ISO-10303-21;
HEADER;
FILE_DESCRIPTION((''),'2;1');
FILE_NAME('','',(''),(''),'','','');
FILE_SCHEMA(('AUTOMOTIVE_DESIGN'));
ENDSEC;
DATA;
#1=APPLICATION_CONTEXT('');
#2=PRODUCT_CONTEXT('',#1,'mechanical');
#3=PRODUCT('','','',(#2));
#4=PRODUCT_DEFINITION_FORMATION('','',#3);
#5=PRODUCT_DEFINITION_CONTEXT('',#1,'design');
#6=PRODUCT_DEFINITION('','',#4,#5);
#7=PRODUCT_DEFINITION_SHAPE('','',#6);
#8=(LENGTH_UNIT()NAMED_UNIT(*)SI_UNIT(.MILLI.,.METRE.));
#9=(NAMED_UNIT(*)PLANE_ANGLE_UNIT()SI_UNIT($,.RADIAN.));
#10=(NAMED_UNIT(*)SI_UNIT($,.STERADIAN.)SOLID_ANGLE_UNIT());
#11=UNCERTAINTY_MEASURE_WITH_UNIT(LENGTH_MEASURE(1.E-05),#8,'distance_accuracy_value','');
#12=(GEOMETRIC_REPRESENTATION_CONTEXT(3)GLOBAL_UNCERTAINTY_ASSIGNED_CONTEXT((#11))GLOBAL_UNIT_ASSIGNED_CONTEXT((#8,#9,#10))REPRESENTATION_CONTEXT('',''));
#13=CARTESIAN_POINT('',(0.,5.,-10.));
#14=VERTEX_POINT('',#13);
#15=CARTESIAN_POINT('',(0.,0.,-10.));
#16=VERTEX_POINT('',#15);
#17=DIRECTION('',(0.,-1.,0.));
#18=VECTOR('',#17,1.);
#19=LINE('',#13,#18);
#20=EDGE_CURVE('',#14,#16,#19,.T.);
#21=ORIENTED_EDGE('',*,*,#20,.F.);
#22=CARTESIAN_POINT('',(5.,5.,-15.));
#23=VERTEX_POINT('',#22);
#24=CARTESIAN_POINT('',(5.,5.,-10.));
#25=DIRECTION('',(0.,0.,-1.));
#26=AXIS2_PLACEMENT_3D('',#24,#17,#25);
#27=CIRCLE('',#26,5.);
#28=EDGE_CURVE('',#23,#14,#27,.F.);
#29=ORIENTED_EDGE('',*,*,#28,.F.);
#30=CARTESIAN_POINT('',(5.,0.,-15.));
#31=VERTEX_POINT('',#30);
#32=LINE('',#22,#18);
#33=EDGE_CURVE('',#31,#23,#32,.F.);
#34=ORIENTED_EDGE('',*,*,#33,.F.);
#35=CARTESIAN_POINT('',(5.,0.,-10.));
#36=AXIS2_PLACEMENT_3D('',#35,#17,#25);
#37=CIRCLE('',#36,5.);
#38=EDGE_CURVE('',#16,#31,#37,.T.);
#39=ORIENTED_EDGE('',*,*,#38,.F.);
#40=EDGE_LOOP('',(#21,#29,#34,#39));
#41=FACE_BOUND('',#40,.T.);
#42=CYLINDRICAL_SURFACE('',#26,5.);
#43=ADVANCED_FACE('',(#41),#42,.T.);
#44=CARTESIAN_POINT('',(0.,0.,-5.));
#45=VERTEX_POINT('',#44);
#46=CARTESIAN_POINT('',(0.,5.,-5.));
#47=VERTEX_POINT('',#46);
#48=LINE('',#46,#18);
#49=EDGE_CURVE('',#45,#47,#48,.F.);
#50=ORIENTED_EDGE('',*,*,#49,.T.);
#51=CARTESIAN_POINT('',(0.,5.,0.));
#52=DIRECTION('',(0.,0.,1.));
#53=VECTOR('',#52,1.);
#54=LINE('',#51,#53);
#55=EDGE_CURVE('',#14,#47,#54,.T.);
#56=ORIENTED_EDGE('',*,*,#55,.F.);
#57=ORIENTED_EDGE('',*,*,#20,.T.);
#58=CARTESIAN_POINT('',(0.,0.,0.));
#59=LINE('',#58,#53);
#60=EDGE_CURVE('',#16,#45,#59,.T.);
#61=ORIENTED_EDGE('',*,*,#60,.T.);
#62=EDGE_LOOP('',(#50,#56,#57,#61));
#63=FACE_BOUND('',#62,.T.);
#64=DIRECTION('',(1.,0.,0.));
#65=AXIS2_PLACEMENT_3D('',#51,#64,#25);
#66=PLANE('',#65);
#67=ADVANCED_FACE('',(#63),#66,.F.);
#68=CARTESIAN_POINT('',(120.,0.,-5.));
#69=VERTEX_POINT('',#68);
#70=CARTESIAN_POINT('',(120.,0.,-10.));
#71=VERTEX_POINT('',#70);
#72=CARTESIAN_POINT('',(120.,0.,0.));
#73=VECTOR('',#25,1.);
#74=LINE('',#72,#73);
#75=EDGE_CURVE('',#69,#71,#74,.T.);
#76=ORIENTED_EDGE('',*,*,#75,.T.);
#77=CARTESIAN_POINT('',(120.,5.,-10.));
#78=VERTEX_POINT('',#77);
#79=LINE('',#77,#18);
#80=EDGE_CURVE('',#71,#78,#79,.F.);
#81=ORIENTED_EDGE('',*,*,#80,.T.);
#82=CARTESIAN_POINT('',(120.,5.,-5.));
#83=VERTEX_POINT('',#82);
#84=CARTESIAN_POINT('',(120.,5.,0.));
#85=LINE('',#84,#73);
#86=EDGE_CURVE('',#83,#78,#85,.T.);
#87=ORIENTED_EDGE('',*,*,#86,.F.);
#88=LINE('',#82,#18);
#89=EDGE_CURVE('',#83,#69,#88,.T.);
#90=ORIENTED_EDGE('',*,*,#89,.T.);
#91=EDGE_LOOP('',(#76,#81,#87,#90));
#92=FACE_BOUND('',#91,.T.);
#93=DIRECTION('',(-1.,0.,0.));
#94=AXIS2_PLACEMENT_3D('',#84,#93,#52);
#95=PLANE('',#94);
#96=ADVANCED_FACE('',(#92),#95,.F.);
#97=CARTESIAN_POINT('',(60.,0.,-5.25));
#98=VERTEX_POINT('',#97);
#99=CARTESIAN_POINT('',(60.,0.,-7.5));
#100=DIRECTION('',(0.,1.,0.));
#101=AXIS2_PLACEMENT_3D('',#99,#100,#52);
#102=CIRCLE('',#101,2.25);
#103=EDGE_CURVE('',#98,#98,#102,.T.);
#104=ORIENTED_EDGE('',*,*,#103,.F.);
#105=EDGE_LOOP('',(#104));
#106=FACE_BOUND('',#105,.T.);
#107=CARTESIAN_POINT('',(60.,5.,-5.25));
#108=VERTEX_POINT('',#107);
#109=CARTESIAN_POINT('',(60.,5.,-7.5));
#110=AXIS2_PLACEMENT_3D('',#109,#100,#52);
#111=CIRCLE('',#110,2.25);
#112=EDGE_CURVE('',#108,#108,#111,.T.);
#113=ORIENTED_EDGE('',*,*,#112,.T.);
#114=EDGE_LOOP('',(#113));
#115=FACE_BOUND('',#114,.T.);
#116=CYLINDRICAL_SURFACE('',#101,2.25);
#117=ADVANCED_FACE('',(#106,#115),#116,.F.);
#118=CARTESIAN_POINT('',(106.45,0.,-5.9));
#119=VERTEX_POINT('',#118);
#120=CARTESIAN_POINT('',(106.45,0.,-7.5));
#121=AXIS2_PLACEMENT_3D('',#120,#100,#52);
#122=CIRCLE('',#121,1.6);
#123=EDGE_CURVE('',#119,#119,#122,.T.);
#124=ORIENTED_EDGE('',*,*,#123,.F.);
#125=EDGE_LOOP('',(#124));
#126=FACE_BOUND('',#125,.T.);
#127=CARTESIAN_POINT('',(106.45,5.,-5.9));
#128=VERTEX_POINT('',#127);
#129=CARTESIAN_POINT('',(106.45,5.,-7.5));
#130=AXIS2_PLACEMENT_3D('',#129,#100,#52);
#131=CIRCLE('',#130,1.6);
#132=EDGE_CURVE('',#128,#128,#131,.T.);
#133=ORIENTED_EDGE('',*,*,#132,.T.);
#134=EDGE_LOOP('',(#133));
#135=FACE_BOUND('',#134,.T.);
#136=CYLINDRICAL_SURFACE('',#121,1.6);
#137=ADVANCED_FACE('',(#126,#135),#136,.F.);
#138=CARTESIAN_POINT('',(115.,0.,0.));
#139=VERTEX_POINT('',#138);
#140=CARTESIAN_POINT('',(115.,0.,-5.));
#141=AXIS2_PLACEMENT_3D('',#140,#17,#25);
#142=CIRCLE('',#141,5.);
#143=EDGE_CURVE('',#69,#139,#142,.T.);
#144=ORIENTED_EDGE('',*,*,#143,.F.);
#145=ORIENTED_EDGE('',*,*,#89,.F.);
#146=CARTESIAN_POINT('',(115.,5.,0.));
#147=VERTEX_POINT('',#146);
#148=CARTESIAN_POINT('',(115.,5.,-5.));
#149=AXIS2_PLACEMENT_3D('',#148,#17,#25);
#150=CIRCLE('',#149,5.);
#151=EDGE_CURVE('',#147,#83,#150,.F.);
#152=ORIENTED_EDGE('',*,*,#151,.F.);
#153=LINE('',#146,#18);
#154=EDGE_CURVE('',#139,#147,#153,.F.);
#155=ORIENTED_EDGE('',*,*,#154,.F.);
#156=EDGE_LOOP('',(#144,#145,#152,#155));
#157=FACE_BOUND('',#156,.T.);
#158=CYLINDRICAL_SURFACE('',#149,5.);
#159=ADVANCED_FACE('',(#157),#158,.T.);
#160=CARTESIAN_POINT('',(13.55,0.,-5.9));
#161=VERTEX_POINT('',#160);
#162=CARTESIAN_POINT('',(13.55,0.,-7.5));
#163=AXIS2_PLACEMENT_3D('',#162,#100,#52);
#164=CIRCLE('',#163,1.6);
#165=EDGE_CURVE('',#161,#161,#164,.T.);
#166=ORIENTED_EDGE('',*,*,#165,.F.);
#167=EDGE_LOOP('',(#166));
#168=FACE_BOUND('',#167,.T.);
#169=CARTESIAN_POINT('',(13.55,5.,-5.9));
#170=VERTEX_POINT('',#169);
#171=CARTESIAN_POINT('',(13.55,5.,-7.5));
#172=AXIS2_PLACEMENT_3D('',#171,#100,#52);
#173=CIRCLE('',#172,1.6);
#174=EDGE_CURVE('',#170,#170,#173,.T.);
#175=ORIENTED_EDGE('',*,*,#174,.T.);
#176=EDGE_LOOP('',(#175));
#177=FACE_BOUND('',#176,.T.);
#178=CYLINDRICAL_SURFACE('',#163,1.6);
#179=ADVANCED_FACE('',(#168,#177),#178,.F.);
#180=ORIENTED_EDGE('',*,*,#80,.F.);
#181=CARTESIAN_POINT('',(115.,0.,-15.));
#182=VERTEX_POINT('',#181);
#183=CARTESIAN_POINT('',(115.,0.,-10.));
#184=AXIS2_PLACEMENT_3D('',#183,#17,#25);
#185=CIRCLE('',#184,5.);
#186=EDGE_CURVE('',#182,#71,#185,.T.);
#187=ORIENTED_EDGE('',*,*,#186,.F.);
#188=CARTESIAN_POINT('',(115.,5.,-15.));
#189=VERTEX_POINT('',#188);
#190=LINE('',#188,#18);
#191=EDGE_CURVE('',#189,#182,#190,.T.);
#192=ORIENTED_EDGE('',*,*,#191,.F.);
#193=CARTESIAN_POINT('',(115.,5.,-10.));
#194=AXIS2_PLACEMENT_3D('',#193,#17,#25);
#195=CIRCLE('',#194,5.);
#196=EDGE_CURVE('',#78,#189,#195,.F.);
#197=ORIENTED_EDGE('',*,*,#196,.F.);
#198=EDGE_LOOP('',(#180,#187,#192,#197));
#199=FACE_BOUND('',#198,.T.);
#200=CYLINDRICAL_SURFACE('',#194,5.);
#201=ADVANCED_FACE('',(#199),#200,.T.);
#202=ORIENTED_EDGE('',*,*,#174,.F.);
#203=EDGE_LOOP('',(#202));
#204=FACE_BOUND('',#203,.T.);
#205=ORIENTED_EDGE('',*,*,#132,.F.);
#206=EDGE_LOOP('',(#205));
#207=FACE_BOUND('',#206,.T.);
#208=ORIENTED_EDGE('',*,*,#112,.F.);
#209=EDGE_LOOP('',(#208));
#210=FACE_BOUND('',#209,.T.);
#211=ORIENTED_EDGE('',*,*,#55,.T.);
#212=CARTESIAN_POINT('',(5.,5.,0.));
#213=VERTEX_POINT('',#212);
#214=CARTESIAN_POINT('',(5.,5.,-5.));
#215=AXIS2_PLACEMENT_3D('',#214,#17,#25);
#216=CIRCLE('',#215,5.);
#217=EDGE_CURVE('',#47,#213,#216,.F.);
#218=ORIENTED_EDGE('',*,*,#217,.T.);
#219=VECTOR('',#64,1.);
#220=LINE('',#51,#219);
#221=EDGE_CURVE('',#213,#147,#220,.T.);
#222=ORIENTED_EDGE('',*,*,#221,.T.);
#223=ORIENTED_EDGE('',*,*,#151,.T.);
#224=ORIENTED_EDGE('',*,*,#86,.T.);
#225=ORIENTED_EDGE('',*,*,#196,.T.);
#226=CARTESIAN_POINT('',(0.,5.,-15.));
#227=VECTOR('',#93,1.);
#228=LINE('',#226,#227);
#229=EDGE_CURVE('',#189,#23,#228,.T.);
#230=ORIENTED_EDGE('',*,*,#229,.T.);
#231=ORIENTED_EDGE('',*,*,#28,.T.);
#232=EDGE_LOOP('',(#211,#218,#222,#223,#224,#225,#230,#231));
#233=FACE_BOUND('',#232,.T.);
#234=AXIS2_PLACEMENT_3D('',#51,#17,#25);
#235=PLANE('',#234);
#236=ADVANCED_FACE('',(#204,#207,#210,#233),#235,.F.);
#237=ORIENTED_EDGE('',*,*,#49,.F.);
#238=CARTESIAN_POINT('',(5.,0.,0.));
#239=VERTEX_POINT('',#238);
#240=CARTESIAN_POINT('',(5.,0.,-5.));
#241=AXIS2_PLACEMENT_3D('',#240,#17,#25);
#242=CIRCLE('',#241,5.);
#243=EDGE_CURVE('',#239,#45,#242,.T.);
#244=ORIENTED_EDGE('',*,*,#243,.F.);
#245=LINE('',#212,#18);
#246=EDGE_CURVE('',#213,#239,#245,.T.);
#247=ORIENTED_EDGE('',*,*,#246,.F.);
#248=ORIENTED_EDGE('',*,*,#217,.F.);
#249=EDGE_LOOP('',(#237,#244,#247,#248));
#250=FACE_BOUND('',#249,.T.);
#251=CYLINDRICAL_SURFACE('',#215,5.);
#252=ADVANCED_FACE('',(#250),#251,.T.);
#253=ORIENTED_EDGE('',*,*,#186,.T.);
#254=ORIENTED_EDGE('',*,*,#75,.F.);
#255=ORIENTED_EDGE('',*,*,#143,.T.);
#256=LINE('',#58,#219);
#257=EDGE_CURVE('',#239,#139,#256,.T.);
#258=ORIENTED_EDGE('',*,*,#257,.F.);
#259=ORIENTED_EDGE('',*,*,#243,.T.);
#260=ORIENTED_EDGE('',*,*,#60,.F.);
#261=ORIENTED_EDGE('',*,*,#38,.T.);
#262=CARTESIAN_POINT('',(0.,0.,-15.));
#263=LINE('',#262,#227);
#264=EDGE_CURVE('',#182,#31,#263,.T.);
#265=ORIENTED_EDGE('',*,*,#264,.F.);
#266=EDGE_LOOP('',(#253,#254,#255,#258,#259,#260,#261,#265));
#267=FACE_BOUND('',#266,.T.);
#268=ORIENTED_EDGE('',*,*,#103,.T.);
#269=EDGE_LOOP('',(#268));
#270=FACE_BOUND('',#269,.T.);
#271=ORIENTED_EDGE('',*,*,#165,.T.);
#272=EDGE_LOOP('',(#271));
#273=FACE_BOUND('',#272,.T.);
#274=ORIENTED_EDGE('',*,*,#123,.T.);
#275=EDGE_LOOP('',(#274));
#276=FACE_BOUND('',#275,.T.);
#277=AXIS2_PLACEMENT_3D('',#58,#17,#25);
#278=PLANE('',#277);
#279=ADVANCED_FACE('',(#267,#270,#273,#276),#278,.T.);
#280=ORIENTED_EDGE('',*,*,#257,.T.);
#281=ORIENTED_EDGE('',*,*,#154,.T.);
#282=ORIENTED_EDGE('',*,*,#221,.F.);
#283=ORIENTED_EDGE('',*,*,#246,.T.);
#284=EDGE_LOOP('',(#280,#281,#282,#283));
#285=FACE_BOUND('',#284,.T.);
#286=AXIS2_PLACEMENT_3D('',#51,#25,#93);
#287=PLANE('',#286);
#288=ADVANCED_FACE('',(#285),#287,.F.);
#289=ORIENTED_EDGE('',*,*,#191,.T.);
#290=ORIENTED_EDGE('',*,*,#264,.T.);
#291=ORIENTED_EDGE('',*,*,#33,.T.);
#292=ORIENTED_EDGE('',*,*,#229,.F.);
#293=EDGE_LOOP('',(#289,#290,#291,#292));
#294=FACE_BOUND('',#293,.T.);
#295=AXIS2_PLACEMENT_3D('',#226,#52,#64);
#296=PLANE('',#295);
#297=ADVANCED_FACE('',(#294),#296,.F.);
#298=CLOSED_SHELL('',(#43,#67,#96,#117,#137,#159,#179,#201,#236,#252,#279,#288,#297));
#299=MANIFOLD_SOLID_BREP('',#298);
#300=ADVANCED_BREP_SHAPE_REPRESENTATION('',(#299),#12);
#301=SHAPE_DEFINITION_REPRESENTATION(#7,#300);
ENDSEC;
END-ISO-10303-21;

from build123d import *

# Parameters (mm, degrees)
SKETCH_1_W          = 120
SKETCH_1_H          = 15
EXTRUDE_1_DEPTH     = 5
SKETCH_2_R          = 1.6
SKETCH_2_R_2        = 2.25
CUT_EXTRUDE_1_DEPTH = 6
FILLET_1_R          = 5


with BuildPart() as part:
    # Эскиз1 → Бобышка-Вытянуть1 (new body)
    with BuildSketch(Plane(origin=(0, 0, 0), x_dir=(1, 0, 0), z_dir=(0, 1, 0))):
        with Locations((60, 7.5)):
            Rectangle(SKETCH_1_W, SKETCH_1_H)
    extrude(amount=EXTRUDE_1_DEPTH)

    # Эскиз2 → Вырез-Вытянуть1 (cut, through all)
    with BuildSketch(Plane(origin=(0, 5, 0), x_dir=(1, 0, 0), z_dir=(0, 1, 0))):
        with Locations((13.55, 7.5)):
            Circle(SKETCH_2_R)
        with Locations((106.45, 7.5)):
            Circle(SKETCH_2_R)
        with Locations((60, 7.5)):
            Circle(SKETCH_2_R_2)
    extrude(amount=-CUT_EXTRUDE_1_DEPTH, mode=Mode.SUBTRACT)

    # Скругление1
    fillet_1_edges = [part.edges().sort_by_distance(p)[0] for p in [
        (0, 2.5, -15),
        (120, 2.5, -15),
        (120, 2.5, 0),
        (0, 2.5, 0),
    ]]
    fillet(fillet_1_edges, radius=FILLET_1_R)


solid = part.part
